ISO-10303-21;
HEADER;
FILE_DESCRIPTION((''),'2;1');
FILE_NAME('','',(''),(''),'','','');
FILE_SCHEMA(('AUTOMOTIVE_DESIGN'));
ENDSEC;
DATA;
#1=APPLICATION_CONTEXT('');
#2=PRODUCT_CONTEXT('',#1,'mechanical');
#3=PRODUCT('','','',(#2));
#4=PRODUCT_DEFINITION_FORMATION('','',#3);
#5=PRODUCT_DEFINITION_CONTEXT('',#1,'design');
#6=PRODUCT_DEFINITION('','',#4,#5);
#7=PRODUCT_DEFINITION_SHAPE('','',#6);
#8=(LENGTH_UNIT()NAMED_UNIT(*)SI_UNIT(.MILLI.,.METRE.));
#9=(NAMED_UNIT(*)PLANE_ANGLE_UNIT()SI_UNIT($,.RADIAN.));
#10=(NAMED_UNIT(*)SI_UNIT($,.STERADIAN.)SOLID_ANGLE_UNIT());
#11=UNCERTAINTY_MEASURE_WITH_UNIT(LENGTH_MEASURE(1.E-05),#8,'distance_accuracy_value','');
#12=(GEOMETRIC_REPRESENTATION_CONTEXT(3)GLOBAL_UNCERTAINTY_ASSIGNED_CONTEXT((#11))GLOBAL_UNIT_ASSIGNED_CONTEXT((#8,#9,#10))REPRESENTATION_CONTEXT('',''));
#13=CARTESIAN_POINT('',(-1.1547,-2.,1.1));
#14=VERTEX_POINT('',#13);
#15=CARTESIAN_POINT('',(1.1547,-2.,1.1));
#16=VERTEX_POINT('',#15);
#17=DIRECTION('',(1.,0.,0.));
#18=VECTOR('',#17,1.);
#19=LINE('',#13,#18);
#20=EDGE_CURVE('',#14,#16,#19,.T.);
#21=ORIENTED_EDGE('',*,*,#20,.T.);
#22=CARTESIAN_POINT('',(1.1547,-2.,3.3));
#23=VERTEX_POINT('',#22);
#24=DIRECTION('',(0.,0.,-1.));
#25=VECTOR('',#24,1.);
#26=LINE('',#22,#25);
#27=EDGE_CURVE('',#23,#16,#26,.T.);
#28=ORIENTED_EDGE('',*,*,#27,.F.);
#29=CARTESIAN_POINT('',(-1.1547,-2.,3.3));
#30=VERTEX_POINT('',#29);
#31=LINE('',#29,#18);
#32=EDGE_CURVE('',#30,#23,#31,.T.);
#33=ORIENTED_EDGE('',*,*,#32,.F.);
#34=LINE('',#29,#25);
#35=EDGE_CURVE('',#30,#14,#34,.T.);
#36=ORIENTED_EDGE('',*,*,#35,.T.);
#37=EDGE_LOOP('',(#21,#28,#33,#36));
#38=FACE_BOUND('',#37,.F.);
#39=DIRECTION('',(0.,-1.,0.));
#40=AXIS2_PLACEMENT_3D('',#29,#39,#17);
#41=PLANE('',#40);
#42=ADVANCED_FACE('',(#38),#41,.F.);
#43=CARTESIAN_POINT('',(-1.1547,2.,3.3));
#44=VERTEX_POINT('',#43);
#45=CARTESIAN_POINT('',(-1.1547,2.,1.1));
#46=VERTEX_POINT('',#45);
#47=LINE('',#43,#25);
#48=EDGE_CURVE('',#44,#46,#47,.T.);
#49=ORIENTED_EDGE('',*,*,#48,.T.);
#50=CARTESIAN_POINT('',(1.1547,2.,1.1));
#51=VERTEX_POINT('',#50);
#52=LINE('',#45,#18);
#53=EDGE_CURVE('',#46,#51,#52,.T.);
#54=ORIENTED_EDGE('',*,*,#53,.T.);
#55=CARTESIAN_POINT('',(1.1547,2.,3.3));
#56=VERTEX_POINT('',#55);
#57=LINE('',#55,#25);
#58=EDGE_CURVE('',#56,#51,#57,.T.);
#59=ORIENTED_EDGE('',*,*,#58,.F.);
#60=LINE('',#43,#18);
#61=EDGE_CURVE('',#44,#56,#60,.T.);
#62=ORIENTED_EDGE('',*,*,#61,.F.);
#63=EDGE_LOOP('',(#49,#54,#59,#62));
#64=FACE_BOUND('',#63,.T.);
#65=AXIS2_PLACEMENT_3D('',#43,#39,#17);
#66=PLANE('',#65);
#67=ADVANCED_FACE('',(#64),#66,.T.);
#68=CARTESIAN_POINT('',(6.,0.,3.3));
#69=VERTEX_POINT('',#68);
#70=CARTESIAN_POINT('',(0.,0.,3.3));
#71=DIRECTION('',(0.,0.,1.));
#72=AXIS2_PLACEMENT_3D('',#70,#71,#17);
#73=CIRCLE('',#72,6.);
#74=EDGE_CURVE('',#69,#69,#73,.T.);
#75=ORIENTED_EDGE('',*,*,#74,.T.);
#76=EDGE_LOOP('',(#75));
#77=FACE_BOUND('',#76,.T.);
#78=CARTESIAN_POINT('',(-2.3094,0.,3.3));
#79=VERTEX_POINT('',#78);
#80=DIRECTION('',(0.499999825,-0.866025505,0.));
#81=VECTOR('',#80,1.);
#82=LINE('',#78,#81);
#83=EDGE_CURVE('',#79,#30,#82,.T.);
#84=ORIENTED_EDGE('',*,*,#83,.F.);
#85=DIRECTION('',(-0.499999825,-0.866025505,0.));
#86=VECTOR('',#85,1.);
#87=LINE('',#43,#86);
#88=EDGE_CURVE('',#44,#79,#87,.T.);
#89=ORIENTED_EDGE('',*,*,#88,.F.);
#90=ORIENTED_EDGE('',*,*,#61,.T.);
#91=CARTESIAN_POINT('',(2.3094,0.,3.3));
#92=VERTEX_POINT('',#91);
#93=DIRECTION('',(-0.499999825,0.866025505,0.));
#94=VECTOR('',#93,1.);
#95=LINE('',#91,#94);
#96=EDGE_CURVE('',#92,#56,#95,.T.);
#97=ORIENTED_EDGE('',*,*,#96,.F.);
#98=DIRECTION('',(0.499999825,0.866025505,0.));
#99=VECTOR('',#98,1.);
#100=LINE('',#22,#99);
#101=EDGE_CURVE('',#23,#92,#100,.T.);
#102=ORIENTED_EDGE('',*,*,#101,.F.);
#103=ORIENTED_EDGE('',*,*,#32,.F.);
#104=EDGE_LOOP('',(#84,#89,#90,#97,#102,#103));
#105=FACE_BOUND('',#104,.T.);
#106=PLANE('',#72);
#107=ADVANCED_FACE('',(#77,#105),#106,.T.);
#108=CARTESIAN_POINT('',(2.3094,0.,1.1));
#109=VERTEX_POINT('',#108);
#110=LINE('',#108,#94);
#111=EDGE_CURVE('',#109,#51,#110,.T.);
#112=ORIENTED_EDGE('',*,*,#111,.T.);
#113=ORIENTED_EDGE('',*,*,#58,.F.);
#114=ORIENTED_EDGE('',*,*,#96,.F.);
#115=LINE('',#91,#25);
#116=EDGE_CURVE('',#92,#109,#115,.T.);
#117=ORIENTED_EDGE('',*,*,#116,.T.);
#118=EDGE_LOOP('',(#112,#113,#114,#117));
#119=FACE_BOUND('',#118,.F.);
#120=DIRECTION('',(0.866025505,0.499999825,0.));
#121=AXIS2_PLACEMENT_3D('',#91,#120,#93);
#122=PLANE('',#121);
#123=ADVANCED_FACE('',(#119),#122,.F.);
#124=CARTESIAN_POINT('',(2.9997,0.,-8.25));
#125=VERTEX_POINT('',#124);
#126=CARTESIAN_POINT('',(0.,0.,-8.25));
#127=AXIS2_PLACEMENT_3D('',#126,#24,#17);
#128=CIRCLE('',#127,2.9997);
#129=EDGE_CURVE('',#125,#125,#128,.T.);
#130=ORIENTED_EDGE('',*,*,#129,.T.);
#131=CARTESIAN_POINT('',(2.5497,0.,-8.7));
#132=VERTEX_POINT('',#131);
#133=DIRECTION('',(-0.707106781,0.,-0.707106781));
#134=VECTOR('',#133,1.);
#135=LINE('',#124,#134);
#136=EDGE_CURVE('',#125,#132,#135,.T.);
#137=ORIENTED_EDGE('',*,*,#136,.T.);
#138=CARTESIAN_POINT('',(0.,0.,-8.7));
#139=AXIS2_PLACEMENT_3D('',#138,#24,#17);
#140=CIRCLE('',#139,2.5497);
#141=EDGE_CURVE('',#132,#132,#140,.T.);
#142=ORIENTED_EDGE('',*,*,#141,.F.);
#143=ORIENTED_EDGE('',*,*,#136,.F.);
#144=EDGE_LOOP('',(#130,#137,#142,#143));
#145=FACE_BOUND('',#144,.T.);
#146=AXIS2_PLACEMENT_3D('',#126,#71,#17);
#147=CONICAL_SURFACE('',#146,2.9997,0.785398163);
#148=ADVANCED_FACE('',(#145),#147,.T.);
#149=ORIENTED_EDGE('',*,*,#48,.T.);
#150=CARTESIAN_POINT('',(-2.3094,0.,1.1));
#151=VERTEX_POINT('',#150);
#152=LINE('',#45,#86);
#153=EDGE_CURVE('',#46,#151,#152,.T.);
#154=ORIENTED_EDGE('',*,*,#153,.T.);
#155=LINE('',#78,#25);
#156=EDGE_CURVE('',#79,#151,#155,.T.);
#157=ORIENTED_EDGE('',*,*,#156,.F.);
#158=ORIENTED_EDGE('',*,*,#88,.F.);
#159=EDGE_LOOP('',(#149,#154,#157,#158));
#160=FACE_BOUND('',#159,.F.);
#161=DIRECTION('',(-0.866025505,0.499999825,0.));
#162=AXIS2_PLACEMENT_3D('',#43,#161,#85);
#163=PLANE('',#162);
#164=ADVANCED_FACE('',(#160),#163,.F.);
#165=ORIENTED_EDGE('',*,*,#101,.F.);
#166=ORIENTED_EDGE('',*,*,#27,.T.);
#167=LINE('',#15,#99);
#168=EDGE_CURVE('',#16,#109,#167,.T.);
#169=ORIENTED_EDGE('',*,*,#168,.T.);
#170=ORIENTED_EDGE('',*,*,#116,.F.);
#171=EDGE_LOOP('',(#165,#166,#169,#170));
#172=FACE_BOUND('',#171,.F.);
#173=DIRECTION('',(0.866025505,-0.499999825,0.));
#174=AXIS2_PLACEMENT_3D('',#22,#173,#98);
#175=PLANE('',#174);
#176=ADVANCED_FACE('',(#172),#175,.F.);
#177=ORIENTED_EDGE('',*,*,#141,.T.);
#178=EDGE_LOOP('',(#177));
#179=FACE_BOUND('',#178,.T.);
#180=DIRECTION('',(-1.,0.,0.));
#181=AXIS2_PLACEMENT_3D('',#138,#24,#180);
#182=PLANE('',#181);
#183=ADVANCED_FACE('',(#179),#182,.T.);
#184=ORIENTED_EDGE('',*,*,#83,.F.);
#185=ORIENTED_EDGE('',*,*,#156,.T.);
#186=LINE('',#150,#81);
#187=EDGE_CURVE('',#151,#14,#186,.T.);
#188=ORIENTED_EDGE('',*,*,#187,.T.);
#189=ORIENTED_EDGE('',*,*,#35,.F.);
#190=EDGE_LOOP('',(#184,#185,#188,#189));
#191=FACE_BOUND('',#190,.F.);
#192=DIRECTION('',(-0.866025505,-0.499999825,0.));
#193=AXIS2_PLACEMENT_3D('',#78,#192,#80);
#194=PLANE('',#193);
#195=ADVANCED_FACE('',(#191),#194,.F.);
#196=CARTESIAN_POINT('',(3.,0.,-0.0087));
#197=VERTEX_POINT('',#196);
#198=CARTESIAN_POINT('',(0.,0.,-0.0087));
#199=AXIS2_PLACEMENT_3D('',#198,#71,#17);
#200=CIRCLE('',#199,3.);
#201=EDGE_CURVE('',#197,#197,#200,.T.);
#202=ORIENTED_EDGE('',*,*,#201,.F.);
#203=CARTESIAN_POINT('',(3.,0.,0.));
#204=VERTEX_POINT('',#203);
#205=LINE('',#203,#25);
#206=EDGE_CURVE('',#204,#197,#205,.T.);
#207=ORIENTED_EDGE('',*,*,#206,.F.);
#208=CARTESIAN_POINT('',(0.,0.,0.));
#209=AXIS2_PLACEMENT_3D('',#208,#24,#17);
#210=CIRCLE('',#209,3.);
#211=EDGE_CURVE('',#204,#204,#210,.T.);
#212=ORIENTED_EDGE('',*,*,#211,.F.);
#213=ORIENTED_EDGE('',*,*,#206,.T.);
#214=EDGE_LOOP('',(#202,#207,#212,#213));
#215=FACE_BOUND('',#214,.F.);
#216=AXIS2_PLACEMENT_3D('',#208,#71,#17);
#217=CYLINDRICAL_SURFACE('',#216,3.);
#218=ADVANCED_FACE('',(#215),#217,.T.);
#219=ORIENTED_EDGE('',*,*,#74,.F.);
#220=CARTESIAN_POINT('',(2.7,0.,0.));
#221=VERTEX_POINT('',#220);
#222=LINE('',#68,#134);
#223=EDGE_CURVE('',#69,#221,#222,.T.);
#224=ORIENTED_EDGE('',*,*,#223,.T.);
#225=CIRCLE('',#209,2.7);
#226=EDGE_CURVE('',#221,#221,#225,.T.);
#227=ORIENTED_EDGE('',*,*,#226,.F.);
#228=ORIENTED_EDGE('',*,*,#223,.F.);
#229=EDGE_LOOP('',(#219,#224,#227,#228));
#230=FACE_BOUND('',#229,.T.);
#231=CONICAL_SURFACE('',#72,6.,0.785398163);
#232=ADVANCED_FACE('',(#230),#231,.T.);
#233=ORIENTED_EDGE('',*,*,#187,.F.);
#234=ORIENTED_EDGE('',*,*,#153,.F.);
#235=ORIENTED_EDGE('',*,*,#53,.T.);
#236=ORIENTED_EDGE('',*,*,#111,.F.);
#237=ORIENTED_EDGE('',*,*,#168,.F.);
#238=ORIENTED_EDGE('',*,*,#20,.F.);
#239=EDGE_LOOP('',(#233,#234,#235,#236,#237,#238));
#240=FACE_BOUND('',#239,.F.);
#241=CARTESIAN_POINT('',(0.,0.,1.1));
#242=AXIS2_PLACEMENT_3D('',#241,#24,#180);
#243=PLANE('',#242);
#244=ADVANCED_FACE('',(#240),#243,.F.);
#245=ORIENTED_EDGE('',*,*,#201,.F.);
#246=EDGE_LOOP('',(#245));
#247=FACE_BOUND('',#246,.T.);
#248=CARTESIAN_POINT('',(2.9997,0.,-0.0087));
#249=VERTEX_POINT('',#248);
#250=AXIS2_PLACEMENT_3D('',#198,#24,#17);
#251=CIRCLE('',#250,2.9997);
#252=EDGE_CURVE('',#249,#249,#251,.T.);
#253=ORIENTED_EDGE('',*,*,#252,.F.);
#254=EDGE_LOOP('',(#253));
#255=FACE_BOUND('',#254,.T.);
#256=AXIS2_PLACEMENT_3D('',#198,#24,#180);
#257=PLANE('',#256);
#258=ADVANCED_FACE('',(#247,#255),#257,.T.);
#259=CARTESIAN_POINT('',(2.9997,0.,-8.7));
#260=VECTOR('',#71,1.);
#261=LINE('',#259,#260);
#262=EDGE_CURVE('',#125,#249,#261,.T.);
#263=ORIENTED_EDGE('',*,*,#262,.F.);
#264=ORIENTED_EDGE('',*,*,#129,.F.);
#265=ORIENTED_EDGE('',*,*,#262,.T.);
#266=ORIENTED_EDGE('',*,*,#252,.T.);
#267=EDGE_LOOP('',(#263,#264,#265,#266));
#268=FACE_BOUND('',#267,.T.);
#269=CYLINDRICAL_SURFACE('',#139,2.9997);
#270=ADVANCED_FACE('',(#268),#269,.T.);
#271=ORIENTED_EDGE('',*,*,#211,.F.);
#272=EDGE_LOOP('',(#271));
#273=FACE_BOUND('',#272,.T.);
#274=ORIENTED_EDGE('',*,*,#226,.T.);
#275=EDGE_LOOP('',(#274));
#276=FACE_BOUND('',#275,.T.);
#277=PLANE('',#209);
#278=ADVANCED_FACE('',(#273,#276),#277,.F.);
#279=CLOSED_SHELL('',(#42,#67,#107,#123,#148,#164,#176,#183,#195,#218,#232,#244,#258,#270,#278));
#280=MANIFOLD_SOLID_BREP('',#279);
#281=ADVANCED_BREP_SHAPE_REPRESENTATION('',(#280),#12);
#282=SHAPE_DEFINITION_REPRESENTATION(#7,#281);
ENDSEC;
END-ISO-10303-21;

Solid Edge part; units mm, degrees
sketch "Sketch1" plane through (0, 0, 0) normal (0, 0, 1) x (1, 0, 0)
  circle A0 centre (0, 0) radius 6
  dimension "D1" = 12
extrude "Protrusion1" add sketch "Sketch1" along normal blind 3.3
sketch "Sketch2" plane through (0, 0, 0) normal (0, 0, -1) x (1, 0, 0)
  circle A0 centre (0, 0) radius 3
extrude "Protrusion2" add sketch "Sketch2" along normal blind 8.7
sketch "Sketch3" plane through (0, 0, -8.7) normal (0, 0, -1) x (1, 0, 0)
  circle A0 centre (0, 0) radius 2.9997
extrude "Cutout1" cut sketch "Sketch3" against normal blind 8.6913 flip side to cut
chamfer "Chamfer_1" distance 0.45 angle 45 1 edges at (-2.9997, 0, -8.7)
sketch "Sketch4" plane through (0, 0, 3.3) normal (0, 0, 1) x (1, 0, 0)
  line L0 (-1.1547, 2) -> (1.1547, 2)
  line L1 (2.3094, 0) -> (1.1547, 2)
  line L2 (1.1547, -2) -> (2.3094, 0)
  line L3 (-1.1547, -2) -> (1.1547, -2)
  line L4 (-2.3094, 0) -> (-1.1547, -2)
  line L5 (-1.1547, 2) -> (-2.3094, 0)
  dimension "D1" = 4
extrude "Cutout2" cut sketch "Sketch4" against normal blind 2.2
sketch "Sketch5" plane through (0, 0, 0) normal (0, -1, 0) x (1, 0, 0)
  line L0 (6, 3.3) -> (2.7, 0)
  line L1 (2.7, 0) -> (6, 0)
  line L2 (6, 0) -> (6, 3.3)
revolve "RevolvedCutout1" cut sketch "Sketch5" angle 360 about axis through (0, 0, 14.0017) along (0, 0, -1)
properties part number "24104262"
